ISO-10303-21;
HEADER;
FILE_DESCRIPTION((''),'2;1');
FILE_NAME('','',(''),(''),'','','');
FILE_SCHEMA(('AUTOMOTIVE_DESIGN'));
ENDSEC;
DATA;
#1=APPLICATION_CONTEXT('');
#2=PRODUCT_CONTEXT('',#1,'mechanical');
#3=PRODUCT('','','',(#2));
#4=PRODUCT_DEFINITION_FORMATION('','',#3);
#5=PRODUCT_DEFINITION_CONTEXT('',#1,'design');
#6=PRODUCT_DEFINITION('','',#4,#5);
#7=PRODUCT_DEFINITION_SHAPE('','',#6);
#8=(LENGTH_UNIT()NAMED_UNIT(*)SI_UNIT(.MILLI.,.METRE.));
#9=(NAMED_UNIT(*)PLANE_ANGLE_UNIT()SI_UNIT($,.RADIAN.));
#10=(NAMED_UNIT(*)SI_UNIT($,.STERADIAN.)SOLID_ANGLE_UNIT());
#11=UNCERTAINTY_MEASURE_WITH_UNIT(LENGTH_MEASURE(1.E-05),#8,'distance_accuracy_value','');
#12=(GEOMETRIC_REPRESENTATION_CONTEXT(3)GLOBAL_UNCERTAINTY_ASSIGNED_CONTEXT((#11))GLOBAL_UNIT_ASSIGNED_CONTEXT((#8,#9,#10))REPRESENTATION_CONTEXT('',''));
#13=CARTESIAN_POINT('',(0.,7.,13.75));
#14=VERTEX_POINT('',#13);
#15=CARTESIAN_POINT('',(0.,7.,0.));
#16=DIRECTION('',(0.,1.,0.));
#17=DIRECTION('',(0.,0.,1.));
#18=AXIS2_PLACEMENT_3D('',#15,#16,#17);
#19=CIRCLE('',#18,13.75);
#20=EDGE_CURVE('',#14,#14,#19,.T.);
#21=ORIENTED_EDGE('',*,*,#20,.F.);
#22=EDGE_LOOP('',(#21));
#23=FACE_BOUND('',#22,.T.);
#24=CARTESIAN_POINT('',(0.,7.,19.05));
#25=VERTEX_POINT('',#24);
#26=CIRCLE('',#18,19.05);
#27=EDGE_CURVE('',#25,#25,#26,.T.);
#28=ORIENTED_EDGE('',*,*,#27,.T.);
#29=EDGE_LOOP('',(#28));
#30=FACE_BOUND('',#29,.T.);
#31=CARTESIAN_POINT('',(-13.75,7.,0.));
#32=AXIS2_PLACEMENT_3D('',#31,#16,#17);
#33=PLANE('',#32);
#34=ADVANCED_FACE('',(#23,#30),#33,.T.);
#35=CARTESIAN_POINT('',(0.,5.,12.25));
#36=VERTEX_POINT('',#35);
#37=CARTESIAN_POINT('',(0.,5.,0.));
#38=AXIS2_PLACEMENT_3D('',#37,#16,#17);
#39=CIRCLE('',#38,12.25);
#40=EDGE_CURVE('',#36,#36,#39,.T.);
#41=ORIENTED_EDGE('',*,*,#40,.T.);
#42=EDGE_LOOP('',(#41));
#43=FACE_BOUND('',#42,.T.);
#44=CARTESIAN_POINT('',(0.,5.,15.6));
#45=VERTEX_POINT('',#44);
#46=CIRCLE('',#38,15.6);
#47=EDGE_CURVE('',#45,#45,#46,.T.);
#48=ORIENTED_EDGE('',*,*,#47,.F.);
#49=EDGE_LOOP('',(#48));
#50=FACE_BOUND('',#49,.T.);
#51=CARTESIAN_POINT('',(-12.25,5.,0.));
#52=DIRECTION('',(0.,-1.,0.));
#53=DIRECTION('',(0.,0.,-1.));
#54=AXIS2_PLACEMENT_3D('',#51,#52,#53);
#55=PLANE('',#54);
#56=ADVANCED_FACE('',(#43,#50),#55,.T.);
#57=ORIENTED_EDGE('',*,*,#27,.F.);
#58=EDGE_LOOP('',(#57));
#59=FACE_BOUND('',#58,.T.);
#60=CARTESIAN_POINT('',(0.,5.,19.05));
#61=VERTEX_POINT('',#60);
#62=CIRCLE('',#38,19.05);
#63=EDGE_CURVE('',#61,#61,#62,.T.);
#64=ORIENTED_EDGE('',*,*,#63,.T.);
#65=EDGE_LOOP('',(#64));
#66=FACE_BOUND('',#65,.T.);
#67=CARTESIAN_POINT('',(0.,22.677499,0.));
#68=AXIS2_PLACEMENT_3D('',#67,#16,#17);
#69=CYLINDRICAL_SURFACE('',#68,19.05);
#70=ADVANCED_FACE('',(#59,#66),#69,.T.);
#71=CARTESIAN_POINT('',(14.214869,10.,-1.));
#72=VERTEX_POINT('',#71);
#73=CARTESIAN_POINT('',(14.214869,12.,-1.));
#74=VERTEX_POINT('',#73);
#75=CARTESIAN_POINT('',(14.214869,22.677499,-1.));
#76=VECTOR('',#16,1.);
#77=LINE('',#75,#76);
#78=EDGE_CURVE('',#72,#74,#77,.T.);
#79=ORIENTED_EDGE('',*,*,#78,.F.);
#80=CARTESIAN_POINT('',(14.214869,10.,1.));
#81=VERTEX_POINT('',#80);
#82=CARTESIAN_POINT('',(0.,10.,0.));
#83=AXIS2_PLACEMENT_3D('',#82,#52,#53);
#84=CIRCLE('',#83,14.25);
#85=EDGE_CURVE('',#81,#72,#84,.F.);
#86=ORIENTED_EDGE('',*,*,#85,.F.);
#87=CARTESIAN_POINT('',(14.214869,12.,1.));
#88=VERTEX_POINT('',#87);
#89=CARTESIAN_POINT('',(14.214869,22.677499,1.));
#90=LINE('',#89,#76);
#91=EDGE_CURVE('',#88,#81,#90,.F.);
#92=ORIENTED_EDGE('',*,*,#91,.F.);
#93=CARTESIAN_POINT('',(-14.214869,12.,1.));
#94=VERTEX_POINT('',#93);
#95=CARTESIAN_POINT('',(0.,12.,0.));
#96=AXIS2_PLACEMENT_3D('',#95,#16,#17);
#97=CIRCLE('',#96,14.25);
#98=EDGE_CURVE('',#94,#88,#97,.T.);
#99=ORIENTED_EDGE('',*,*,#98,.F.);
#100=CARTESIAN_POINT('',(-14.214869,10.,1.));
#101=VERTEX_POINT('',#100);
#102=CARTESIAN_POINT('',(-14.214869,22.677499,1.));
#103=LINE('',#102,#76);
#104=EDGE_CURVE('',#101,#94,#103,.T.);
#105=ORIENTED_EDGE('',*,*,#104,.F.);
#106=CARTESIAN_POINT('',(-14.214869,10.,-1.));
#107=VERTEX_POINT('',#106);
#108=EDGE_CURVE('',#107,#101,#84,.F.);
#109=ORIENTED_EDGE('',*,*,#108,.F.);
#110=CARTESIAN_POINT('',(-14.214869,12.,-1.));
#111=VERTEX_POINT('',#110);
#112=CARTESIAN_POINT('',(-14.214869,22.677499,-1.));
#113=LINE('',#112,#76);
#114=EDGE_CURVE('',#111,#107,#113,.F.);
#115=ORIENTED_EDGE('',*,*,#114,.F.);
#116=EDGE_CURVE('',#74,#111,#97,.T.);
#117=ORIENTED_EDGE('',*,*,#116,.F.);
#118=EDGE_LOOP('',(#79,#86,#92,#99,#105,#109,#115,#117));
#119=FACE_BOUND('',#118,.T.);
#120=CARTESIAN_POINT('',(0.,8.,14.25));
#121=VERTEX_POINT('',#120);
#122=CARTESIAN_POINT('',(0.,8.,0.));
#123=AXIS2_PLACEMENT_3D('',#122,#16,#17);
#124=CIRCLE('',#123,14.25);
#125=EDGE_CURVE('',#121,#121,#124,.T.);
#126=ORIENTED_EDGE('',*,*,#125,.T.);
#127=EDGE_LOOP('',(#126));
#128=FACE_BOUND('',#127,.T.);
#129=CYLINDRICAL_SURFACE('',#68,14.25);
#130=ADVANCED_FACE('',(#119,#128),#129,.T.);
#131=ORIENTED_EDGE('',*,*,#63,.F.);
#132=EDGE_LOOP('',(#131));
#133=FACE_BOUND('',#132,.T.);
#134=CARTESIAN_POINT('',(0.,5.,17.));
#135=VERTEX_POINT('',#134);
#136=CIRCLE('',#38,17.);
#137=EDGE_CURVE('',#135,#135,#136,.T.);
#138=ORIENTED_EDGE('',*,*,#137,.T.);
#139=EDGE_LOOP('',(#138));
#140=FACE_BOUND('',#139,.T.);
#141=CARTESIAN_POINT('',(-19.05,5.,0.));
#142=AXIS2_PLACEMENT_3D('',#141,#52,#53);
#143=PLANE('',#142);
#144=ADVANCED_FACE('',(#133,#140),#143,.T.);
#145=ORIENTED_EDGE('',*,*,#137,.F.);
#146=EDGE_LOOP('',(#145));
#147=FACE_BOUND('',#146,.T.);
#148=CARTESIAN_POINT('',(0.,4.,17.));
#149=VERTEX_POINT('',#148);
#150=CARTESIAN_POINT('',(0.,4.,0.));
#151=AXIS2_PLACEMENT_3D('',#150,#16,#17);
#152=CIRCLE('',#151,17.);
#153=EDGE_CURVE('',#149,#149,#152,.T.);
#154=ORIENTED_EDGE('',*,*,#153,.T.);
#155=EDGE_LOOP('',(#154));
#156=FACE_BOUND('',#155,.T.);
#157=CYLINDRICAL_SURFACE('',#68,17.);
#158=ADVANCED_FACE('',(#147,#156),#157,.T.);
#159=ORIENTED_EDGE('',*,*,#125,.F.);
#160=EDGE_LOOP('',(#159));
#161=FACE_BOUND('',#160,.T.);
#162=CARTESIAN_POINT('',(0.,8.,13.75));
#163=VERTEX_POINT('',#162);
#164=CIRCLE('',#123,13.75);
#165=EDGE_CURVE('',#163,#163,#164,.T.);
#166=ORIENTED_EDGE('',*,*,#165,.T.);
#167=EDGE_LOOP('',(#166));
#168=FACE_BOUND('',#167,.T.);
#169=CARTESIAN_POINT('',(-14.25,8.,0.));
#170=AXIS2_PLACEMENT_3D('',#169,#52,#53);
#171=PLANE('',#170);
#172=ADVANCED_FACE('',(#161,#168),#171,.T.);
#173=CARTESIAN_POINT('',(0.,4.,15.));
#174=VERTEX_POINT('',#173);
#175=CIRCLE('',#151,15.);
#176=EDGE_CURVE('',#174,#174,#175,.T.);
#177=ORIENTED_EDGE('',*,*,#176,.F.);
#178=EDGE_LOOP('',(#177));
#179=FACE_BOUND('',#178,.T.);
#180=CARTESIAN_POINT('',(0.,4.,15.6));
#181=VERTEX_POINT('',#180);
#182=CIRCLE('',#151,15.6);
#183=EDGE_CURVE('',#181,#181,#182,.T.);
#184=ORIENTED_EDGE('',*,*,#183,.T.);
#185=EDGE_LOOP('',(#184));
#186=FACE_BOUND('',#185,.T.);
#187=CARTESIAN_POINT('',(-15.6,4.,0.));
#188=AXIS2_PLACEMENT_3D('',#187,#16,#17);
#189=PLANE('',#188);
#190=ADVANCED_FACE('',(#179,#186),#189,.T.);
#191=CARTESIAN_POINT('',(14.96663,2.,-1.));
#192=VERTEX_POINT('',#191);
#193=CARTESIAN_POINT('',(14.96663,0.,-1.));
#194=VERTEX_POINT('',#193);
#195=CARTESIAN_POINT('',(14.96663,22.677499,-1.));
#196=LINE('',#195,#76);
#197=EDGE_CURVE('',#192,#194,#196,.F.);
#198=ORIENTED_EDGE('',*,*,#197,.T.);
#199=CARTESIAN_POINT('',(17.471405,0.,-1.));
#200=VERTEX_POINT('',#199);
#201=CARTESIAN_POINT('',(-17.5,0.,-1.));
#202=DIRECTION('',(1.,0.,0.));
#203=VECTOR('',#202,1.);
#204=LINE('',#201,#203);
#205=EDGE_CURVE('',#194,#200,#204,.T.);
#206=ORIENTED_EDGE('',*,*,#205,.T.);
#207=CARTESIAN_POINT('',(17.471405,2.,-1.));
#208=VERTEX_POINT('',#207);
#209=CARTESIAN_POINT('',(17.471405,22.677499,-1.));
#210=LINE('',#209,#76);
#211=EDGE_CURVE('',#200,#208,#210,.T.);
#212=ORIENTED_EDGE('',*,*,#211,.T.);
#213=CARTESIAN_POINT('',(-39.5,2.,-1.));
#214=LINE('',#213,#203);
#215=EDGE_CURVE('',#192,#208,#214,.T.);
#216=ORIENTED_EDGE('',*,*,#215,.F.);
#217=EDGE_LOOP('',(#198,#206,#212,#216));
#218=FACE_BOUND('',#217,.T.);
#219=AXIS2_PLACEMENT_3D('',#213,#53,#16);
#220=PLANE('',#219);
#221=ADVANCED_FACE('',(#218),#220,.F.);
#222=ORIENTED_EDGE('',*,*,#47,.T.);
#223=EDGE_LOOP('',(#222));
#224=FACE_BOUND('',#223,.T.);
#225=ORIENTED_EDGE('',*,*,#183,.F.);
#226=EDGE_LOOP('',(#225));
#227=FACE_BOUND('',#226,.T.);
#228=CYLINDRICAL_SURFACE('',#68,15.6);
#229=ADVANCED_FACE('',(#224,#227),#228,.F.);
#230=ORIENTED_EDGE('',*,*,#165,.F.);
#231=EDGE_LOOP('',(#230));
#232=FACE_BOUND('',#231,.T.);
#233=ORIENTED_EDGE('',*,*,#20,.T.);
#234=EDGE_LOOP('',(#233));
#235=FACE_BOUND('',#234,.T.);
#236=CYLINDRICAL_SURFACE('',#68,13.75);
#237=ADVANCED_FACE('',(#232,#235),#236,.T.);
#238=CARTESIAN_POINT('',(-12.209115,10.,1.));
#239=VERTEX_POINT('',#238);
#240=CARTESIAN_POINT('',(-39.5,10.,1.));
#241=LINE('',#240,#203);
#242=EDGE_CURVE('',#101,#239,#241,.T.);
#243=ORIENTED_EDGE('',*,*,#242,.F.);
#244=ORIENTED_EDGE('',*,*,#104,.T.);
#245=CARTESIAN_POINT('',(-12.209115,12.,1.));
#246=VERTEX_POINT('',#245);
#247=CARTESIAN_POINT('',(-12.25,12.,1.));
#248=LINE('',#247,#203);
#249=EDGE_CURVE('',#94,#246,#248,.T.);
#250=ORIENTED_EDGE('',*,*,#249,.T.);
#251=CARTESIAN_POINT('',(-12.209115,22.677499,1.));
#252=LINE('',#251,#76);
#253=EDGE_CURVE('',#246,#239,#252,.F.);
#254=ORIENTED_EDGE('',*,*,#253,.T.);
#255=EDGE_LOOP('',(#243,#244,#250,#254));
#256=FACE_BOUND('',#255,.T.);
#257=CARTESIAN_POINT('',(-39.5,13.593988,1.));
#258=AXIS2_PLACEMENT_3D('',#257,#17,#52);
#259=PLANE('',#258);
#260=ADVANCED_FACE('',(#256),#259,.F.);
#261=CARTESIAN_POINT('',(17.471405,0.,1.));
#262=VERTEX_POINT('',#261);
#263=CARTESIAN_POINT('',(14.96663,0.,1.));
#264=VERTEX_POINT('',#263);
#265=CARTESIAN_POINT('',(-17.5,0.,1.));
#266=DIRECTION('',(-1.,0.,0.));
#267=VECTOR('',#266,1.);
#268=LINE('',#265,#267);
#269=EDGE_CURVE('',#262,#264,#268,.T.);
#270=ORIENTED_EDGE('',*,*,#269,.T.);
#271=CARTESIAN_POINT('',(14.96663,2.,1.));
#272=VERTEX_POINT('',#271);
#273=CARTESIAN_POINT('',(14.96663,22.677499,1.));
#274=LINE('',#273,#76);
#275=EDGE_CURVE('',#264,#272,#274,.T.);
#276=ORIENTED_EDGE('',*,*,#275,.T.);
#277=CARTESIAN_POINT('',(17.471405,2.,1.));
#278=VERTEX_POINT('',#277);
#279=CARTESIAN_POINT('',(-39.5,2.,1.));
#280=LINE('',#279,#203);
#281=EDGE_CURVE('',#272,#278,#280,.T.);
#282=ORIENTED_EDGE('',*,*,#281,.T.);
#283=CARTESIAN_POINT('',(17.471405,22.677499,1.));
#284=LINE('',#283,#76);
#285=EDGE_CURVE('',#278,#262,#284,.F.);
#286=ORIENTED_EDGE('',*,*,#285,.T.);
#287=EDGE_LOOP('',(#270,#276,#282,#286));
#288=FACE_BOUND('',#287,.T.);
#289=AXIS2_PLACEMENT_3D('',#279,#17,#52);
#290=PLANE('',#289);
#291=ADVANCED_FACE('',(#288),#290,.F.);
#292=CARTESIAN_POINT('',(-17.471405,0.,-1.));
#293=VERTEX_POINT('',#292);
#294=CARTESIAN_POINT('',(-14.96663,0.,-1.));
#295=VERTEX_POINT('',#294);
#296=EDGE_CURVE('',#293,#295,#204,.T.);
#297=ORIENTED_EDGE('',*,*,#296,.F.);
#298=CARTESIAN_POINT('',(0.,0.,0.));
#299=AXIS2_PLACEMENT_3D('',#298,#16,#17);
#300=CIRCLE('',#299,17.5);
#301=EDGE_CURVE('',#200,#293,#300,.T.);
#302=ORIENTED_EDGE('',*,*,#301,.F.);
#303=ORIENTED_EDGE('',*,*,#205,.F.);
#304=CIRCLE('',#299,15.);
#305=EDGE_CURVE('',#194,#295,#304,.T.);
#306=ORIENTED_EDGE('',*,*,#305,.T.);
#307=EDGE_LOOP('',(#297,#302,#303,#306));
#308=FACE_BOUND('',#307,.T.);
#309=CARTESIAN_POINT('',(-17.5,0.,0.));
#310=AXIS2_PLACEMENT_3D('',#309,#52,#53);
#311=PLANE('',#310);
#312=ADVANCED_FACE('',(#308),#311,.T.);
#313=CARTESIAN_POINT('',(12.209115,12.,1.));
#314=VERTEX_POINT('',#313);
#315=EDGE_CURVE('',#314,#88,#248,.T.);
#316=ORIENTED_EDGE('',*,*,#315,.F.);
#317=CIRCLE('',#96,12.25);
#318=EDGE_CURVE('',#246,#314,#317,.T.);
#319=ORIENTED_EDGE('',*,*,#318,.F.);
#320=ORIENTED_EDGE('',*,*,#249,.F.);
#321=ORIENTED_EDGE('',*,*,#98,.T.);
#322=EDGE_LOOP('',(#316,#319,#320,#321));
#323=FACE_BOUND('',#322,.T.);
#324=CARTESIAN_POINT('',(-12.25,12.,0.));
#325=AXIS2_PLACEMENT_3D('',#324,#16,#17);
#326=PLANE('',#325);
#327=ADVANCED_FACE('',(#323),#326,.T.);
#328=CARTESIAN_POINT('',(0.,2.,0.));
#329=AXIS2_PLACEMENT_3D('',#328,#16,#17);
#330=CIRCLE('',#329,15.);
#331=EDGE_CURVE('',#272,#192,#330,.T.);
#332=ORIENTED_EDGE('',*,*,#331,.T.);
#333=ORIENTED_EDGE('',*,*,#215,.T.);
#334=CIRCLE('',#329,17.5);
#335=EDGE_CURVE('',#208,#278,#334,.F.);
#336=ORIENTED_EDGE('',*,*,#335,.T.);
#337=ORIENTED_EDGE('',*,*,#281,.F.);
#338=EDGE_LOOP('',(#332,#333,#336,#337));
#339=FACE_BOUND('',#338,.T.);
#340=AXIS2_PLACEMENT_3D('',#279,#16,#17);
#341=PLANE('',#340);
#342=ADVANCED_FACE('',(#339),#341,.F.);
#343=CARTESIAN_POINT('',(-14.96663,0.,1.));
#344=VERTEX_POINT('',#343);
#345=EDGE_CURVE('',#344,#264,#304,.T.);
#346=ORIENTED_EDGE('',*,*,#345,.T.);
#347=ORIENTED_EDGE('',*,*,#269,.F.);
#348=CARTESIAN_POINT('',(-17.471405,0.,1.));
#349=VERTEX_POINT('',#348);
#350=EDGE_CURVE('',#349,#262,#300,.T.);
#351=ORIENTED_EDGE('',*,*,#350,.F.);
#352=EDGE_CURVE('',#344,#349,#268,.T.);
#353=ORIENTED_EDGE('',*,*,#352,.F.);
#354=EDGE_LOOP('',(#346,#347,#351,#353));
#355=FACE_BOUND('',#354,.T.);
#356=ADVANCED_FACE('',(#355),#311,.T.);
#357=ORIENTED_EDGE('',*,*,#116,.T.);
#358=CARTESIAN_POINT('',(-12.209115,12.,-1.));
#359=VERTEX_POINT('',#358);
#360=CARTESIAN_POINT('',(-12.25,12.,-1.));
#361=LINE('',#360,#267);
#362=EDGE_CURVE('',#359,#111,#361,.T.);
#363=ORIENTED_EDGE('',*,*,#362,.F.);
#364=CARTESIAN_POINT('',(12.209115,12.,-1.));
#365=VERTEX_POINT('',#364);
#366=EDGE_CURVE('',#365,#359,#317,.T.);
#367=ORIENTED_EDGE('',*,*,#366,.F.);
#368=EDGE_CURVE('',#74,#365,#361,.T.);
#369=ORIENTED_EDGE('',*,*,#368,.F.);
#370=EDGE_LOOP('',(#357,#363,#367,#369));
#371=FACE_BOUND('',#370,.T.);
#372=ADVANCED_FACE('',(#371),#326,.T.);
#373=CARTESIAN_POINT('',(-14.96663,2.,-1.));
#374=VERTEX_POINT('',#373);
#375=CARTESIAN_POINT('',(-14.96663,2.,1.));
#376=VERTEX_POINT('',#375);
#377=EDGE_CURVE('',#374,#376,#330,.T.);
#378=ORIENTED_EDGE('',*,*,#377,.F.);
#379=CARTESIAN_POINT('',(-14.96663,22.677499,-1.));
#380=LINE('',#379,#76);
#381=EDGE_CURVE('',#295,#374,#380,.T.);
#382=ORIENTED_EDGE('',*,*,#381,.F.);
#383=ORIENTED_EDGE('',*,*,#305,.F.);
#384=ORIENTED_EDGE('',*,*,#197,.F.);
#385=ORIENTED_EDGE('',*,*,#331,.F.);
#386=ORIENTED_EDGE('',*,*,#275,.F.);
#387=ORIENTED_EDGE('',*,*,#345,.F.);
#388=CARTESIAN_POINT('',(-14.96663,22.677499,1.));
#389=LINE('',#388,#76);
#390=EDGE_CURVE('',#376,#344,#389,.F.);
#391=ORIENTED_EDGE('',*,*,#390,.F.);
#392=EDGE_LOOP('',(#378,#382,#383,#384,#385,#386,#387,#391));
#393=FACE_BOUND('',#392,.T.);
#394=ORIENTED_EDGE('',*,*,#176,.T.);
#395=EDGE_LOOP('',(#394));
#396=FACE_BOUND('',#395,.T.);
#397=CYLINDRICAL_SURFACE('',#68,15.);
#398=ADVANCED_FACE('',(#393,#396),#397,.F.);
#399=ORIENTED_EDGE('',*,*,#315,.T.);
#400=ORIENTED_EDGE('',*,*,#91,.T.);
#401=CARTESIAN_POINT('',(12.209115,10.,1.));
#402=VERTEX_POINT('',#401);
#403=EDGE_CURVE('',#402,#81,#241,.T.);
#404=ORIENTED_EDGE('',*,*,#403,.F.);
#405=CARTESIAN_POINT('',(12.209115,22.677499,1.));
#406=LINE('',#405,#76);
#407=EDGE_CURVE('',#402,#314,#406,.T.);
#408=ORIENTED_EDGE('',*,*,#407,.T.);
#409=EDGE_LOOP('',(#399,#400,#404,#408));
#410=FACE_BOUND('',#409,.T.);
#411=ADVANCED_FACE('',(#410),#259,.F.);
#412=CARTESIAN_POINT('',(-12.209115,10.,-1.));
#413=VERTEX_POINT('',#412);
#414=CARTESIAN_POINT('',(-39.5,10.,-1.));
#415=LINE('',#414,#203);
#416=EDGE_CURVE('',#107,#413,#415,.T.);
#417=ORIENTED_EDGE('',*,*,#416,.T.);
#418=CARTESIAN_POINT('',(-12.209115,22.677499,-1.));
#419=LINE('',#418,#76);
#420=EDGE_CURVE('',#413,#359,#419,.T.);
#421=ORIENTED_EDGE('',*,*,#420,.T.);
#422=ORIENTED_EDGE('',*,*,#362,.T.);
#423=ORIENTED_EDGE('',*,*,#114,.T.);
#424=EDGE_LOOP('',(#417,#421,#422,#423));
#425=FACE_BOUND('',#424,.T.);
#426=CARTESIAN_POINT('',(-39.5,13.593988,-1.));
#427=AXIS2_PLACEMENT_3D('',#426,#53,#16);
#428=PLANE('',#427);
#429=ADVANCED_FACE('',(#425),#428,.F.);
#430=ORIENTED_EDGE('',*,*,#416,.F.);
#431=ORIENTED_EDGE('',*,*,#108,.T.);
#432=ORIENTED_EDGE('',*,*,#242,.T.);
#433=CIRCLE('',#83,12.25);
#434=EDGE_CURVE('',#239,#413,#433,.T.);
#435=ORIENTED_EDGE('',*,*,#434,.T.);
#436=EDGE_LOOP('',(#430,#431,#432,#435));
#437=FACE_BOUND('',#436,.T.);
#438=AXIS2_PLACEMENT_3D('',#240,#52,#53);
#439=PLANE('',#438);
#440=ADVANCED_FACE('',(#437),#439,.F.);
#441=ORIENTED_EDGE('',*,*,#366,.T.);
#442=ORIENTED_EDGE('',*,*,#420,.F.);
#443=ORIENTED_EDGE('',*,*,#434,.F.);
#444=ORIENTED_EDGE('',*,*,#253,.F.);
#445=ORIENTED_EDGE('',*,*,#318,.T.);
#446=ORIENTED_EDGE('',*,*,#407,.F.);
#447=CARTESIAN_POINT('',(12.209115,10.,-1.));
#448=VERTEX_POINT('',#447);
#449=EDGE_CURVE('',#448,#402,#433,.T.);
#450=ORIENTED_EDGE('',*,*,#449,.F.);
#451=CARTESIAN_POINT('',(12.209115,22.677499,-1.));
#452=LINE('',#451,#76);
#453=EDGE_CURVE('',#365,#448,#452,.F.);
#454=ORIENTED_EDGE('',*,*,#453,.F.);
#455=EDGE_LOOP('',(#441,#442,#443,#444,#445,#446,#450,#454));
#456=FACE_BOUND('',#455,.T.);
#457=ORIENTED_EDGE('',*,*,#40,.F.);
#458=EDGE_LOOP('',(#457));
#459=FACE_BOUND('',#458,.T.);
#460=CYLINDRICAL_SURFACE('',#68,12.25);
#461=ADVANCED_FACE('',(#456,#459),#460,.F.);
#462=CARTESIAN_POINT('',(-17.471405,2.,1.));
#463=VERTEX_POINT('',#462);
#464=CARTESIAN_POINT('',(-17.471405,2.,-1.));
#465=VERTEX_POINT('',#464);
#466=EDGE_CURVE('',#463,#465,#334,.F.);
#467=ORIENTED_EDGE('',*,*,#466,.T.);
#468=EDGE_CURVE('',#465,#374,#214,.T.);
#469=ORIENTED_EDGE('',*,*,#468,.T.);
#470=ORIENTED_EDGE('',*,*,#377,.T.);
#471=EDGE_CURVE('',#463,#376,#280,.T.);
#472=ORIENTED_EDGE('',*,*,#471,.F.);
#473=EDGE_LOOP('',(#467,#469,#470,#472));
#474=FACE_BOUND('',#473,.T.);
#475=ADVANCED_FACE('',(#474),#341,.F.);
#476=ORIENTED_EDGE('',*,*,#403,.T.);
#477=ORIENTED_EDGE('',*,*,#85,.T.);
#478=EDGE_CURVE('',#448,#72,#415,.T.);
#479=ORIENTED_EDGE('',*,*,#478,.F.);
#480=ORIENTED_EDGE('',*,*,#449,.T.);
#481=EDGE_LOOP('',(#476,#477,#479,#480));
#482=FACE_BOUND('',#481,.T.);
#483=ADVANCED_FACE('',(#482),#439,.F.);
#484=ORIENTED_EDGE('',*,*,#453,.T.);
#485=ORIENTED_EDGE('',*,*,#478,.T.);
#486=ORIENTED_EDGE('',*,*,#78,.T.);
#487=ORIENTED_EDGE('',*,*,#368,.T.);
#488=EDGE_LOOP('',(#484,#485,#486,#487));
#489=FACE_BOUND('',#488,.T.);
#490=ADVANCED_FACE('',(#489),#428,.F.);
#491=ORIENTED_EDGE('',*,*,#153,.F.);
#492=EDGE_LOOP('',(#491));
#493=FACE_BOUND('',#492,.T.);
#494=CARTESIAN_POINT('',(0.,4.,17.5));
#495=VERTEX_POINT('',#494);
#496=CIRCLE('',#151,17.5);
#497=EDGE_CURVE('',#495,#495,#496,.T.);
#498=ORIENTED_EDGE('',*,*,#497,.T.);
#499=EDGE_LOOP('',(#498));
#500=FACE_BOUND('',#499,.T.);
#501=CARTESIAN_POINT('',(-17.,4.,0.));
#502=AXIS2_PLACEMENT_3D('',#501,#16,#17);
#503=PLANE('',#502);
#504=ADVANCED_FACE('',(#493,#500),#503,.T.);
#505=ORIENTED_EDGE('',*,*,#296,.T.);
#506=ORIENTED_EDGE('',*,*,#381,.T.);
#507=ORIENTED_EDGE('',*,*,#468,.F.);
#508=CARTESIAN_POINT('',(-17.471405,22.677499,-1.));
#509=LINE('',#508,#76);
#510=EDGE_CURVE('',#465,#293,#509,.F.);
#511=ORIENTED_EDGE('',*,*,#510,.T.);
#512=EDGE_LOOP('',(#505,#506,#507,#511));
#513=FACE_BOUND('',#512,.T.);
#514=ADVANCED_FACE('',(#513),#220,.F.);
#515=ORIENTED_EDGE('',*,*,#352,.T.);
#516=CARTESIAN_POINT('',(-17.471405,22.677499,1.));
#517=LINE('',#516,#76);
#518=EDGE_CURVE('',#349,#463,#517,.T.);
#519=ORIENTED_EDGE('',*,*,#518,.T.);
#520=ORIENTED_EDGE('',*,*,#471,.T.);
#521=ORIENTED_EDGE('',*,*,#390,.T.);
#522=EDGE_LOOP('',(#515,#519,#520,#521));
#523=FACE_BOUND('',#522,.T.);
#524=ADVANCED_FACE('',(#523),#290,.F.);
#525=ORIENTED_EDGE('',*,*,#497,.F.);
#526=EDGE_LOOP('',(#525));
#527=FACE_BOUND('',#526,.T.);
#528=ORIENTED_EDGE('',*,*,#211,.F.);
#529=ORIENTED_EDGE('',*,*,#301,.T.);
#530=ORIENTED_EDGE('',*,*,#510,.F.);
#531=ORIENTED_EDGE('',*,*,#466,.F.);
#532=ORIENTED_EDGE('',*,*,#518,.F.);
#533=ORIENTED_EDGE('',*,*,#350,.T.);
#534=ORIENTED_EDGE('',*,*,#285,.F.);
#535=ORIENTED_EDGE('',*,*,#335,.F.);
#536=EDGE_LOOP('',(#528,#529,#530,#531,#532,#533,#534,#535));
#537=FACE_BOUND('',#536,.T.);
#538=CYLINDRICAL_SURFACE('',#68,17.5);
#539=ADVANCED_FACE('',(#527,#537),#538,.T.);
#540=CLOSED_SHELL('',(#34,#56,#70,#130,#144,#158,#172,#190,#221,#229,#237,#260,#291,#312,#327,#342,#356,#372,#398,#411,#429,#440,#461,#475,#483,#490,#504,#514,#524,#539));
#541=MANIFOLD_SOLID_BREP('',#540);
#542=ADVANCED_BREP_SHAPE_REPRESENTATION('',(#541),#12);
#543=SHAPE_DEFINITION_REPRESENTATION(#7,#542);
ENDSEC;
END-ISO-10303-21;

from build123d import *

# Parameters (mm, degrees)
SKETCH_2_W          = 2
SKETCH_2_H          = 3.593987872
SKETCH_2_H_2        = 6.667892238
CUT_EXTRUDE_1_DEPTH = 39.5


with BuildPart() as part:
    # 草图1 → 旋转1 (revolve)
    with BuildSketch(Plane.XY, mode=Mode.PRIVATE) as revolve_1_sk:
        Polygon((-12.25, 12), (-14.25, 12), (-14.25, 8), (-13.75, 8), (-13.75, 7), (-19.05, 7), (-19.05, 5), (-17, 5), (-17, 4), (-17.5, 4), (-17.5, 0), (-15, 0), (-15, 4), (-15.6, 4), (-15.6, 5), (-12.25, 5), align=None)
    revolve(revolve_1_sk.sketch.rotate(Axis((0, 22.677499451, 0), (0, -1, 0)), 270), axis=Axis((0, 22.677499451, 0), (0, -1, 0)))  # turned: the seam where the file's is

    # 草图2 → 切除-拉伸1 (cut, symmetric)
    with BuildSketch(Plane(origin=(0, 0, 0), x_dir=(0, 0, -1), z_dir=(1, 0, 0))):
        with Locations((0, 11.796993936)):
            Rectangle(SKETCH_2_W, SKETCH_2_H)
        with Locations((0, -1.333946119)):
            Rectangle(SKETCH_2_W, SKETCH_2_H_2)
    extrude(amount=CUT_EXTRUDE_1_DEPTH, both=True, mode=Mode.SUBTRACT)


solid = part.part
